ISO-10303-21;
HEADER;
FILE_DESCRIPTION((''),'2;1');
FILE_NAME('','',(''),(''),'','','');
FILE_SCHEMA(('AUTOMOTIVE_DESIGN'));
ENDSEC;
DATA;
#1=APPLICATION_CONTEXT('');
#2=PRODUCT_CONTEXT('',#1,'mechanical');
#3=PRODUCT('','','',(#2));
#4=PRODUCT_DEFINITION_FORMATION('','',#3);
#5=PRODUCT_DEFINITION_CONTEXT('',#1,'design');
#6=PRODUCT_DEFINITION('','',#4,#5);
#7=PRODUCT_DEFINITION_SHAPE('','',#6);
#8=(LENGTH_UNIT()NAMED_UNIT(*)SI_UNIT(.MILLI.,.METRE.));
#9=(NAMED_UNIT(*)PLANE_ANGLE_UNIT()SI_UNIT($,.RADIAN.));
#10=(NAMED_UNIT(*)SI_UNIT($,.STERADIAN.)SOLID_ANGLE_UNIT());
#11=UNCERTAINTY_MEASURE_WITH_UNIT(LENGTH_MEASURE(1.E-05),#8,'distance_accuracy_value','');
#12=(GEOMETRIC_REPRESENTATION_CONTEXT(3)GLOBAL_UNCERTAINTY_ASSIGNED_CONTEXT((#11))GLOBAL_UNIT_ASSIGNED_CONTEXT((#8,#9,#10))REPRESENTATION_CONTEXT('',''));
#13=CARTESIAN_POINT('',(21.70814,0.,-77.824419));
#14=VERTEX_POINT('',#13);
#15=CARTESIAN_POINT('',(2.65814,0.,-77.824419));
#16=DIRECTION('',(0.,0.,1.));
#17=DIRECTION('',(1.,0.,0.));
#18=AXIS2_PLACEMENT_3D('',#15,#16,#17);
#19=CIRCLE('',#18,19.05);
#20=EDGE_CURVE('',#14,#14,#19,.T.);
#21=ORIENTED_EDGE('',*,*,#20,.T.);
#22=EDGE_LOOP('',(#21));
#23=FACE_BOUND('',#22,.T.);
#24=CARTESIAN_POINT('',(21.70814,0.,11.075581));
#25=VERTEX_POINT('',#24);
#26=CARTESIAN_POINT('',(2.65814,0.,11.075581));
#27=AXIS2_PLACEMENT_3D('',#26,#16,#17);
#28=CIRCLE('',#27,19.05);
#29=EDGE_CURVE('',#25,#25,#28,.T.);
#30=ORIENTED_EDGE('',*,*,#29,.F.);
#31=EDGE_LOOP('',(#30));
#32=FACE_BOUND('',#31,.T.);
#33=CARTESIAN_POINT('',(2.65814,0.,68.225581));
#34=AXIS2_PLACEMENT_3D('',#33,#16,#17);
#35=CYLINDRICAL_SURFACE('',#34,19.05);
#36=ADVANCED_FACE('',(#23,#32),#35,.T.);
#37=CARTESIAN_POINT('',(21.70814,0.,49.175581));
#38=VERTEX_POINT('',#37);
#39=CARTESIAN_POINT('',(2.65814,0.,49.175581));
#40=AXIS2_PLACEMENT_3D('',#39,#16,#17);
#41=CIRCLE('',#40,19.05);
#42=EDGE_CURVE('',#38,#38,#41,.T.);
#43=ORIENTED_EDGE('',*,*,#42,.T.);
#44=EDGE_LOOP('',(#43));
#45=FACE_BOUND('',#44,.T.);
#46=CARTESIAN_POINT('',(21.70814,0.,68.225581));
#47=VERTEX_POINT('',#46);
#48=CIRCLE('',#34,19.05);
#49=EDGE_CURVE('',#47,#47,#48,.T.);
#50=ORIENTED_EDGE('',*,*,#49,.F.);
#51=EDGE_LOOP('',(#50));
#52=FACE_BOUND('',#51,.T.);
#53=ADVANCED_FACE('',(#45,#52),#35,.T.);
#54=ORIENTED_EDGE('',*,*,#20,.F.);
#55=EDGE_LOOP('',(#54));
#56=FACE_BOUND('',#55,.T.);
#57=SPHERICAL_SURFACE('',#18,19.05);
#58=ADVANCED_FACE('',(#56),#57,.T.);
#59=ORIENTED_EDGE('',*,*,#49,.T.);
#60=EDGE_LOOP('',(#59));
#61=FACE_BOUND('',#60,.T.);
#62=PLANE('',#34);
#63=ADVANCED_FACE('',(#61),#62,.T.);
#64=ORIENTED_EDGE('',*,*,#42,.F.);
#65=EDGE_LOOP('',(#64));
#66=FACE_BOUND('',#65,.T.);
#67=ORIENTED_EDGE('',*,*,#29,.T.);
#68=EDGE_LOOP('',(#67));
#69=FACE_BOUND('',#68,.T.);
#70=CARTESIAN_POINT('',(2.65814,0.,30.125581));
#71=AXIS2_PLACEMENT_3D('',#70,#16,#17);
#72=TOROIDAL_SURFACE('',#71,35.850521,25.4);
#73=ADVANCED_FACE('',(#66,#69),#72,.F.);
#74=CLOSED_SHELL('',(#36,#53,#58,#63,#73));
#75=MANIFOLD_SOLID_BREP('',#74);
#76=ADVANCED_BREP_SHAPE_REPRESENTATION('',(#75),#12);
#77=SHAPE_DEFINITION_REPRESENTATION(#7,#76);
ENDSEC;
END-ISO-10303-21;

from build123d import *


with BuildPart() as part:
    # Sketch1 → Revolve1 (revolve)
    with BuildSketch(Plane(origin=(0, 0, 0), x_dir=(1, 0, 0), z_dir=(0, 1, 0))):
        with BuildLine():
            Line((2.658139535, -68.225581395), (2.658139535, 96.874418605))
            ThreePointArc((2.658139535, 96.874418605), (16.128523716, 91.294802786), (21.708139535, 77.824418605))
            Line((21.708139535, 77.824418605), (21.708139535, -11.075581395))
            ThreePointArc((21.708139535, -11.075581395), (13.10866036, -30.125581395), (21.708139535, -49.175581395))
            Line((21.708139535, -49.175581395), (21.708139535, -68.225581395))
            Line((21.708139535, -68.225581395), (2.658139535, -68.225581395))
        make_face()
    revolve(axis=Axis((2.658139535, 0, 68.225581395), (0, 0, -1)))


solid = part.part
